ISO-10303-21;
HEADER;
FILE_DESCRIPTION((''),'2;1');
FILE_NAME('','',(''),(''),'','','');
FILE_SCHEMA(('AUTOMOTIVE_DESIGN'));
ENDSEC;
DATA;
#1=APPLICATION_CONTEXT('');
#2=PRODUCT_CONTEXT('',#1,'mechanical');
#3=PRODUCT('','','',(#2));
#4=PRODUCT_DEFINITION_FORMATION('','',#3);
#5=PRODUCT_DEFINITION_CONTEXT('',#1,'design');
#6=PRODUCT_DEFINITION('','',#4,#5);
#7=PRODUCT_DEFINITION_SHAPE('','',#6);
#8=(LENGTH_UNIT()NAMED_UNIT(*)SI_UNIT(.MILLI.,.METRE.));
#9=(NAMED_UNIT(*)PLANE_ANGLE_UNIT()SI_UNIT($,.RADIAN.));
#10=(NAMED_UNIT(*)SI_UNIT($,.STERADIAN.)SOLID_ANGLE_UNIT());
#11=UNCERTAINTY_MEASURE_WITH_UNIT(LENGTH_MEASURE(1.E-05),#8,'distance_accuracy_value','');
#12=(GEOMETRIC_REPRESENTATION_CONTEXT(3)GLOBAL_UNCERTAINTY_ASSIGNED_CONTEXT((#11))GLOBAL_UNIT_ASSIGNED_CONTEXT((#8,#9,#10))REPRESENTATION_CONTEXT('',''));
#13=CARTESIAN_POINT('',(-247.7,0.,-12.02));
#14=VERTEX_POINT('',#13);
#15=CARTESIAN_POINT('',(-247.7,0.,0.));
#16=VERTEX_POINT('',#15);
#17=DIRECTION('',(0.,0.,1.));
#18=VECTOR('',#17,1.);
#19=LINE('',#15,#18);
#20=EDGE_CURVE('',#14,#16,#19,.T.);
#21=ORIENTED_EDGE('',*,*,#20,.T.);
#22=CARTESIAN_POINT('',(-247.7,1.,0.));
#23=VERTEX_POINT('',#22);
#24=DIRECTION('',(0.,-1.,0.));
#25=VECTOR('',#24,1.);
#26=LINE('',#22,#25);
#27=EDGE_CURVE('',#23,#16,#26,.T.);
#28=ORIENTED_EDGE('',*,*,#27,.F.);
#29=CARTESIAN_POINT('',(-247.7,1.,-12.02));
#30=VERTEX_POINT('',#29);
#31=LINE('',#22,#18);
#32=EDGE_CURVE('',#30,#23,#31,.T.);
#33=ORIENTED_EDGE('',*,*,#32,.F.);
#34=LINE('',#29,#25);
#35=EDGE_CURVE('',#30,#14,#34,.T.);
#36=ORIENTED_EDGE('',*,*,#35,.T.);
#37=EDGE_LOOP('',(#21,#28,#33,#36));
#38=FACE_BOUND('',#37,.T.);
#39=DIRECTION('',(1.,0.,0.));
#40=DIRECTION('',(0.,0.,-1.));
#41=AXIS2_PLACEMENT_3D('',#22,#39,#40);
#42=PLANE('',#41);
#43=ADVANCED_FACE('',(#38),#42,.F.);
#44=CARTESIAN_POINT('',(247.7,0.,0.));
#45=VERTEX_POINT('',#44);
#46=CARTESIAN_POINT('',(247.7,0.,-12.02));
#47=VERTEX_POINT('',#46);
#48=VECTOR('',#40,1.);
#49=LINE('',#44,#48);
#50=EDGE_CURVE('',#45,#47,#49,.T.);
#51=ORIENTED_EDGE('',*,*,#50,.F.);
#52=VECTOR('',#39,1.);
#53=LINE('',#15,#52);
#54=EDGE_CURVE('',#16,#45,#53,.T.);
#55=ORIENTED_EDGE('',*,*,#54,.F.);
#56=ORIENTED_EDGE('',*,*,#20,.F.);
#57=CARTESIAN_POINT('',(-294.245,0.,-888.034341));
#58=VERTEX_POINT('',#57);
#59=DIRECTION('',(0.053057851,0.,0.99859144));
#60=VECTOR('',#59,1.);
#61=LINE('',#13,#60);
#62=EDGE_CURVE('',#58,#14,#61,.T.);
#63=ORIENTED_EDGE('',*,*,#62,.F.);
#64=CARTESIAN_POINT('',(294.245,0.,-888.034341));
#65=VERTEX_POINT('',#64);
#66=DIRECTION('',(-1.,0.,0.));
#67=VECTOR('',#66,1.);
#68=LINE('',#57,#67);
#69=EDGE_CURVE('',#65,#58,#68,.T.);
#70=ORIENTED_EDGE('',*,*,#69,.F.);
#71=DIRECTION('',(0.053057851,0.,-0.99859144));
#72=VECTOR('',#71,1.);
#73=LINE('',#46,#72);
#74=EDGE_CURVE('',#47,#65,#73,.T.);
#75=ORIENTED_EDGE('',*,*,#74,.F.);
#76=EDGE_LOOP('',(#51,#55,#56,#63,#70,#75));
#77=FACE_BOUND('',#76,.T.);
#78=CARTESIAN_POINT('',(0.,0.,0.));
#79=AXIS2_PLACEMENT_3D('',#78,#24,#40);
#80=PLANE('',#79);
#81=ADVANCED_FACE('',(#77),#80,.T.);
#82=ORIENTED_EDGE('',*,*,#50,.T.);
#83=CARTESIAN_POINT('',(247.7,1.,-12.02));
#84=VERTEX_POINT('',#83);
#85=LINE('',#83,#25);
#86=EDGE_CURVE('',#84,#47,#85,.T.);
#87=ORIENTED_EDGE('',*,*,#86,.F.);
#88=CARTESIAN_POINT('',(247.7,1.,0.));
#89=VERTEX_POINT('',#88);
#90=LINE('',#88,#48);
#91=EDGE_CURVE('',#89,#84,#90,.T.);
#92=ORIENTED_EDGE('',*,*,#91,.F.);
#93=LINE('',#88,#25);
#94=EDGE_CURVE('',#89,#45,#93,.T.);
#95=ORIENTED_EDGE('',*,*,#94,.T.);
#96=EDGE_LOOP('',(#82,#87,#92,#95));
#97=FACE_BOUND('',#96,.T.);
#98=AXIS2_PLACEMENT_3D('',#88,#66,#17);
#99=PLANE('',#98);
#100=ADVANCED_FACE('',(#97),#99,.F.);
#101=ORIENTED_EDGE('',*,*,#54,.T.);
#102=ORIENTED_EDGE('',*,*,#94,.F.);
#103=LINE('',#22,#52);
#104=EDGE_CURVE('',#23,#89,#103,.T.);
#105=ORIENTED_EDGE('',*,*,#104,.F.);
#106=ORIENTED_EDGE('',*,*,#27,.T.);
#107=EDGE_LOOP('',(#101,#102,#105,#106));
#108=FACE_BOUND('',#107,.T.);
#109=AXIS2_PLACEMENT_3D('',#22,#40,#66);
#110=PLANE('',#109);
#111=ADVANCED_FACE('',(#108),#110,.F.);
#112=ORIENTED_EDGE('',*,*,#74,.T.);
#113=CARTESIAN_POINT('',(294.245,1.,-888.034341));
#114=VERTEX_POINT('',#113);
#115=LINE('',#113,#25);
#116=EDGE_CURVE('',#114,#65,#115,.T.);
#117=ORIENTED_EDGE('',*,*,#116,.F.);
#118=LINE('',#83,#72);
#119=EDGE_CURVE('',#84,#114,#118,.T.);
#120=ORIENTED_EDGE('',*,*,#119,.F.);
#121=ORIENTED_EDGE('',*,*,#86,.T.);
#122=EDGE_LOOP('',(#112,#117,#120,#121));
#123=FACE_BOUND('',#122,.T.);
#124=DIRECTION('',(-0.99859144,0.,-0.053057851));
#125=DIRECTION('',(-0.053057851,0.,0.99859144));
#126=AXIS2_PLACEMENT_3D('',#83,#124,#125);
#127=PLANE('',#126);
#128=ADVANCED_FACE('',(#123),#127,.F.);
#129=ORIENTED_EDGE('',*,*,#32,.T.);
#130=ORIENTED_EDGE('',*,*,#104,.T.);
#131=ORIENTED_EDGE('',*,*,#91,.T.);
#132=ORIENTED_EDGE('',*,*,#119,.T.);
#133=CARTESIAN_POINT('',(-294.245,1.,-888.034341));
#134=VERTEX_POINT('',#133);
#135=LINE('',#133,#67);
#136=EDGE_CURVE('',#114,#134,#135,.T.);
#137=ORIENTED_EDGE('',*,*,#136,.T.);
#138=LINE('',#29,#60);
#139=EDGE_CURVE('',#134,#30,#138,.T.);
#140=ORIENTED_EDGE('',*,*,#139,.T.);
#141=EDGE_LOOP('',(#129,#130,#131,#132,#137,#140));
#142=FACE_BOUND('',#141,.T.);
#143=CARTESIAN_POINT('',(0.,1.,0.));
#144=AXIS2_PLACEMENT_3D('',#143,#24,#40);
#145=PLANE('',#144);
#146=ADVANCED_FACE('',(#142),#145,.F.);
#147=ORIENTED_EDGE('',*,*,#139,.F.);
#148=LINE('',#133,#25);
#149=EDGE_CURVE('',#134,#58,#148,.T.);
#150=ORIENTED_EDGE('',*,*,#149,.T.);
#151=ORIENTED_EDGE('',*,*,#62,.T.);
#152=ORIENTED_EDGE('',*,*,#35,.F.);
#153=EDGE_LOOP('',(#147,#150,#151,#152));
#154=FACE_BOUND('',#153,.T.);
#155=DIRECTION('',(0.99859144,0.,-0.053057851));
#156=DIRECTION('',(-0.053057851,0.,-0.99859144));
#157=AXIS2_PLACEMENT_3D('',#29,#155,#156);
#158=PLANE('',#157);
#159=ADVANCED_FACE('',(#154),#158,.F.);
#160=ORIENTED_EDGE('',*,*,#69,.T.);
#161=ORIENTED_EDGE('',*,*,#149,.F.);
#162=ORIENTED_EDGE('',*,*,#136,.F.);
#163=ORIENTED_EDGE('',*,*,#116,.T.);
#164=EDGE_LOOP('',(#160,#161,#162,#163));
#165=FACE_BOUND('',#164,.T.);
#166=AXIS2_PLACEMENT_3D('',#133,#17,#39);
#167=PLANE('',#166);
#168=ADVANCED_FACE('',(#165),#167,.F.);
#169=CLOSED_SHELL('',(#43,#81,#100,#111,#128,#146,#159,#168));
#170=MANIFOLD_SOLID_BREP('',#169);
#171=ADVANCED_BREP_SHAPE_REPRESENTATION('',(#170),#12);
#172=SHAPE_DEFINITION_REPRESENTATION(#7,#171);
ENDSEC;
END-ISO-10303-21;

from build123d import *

# Parameters (mm, degrees)
FRONT_FLOOR_CLOSEOUT_DEPTH = 1


with BuildPart() as part:
    # Sketch1 → Front Floor Closeout (new body)
    with BuildSketch(Plane(origin=(0, 0, 0), x_dir=(1, 0, 0), z_dir=(0, 1, 0))):
        Polygon((-247.7, 0), (247.7, 0), (247.7, 12.02), (294.245, 888.034340907), (-294.245, 888.034340907), (-247.7, 12.02), align=None)
    extrude(amount=FRONT_FLOOR_CLOSEOUT_DEPTH)


solid = part.part
